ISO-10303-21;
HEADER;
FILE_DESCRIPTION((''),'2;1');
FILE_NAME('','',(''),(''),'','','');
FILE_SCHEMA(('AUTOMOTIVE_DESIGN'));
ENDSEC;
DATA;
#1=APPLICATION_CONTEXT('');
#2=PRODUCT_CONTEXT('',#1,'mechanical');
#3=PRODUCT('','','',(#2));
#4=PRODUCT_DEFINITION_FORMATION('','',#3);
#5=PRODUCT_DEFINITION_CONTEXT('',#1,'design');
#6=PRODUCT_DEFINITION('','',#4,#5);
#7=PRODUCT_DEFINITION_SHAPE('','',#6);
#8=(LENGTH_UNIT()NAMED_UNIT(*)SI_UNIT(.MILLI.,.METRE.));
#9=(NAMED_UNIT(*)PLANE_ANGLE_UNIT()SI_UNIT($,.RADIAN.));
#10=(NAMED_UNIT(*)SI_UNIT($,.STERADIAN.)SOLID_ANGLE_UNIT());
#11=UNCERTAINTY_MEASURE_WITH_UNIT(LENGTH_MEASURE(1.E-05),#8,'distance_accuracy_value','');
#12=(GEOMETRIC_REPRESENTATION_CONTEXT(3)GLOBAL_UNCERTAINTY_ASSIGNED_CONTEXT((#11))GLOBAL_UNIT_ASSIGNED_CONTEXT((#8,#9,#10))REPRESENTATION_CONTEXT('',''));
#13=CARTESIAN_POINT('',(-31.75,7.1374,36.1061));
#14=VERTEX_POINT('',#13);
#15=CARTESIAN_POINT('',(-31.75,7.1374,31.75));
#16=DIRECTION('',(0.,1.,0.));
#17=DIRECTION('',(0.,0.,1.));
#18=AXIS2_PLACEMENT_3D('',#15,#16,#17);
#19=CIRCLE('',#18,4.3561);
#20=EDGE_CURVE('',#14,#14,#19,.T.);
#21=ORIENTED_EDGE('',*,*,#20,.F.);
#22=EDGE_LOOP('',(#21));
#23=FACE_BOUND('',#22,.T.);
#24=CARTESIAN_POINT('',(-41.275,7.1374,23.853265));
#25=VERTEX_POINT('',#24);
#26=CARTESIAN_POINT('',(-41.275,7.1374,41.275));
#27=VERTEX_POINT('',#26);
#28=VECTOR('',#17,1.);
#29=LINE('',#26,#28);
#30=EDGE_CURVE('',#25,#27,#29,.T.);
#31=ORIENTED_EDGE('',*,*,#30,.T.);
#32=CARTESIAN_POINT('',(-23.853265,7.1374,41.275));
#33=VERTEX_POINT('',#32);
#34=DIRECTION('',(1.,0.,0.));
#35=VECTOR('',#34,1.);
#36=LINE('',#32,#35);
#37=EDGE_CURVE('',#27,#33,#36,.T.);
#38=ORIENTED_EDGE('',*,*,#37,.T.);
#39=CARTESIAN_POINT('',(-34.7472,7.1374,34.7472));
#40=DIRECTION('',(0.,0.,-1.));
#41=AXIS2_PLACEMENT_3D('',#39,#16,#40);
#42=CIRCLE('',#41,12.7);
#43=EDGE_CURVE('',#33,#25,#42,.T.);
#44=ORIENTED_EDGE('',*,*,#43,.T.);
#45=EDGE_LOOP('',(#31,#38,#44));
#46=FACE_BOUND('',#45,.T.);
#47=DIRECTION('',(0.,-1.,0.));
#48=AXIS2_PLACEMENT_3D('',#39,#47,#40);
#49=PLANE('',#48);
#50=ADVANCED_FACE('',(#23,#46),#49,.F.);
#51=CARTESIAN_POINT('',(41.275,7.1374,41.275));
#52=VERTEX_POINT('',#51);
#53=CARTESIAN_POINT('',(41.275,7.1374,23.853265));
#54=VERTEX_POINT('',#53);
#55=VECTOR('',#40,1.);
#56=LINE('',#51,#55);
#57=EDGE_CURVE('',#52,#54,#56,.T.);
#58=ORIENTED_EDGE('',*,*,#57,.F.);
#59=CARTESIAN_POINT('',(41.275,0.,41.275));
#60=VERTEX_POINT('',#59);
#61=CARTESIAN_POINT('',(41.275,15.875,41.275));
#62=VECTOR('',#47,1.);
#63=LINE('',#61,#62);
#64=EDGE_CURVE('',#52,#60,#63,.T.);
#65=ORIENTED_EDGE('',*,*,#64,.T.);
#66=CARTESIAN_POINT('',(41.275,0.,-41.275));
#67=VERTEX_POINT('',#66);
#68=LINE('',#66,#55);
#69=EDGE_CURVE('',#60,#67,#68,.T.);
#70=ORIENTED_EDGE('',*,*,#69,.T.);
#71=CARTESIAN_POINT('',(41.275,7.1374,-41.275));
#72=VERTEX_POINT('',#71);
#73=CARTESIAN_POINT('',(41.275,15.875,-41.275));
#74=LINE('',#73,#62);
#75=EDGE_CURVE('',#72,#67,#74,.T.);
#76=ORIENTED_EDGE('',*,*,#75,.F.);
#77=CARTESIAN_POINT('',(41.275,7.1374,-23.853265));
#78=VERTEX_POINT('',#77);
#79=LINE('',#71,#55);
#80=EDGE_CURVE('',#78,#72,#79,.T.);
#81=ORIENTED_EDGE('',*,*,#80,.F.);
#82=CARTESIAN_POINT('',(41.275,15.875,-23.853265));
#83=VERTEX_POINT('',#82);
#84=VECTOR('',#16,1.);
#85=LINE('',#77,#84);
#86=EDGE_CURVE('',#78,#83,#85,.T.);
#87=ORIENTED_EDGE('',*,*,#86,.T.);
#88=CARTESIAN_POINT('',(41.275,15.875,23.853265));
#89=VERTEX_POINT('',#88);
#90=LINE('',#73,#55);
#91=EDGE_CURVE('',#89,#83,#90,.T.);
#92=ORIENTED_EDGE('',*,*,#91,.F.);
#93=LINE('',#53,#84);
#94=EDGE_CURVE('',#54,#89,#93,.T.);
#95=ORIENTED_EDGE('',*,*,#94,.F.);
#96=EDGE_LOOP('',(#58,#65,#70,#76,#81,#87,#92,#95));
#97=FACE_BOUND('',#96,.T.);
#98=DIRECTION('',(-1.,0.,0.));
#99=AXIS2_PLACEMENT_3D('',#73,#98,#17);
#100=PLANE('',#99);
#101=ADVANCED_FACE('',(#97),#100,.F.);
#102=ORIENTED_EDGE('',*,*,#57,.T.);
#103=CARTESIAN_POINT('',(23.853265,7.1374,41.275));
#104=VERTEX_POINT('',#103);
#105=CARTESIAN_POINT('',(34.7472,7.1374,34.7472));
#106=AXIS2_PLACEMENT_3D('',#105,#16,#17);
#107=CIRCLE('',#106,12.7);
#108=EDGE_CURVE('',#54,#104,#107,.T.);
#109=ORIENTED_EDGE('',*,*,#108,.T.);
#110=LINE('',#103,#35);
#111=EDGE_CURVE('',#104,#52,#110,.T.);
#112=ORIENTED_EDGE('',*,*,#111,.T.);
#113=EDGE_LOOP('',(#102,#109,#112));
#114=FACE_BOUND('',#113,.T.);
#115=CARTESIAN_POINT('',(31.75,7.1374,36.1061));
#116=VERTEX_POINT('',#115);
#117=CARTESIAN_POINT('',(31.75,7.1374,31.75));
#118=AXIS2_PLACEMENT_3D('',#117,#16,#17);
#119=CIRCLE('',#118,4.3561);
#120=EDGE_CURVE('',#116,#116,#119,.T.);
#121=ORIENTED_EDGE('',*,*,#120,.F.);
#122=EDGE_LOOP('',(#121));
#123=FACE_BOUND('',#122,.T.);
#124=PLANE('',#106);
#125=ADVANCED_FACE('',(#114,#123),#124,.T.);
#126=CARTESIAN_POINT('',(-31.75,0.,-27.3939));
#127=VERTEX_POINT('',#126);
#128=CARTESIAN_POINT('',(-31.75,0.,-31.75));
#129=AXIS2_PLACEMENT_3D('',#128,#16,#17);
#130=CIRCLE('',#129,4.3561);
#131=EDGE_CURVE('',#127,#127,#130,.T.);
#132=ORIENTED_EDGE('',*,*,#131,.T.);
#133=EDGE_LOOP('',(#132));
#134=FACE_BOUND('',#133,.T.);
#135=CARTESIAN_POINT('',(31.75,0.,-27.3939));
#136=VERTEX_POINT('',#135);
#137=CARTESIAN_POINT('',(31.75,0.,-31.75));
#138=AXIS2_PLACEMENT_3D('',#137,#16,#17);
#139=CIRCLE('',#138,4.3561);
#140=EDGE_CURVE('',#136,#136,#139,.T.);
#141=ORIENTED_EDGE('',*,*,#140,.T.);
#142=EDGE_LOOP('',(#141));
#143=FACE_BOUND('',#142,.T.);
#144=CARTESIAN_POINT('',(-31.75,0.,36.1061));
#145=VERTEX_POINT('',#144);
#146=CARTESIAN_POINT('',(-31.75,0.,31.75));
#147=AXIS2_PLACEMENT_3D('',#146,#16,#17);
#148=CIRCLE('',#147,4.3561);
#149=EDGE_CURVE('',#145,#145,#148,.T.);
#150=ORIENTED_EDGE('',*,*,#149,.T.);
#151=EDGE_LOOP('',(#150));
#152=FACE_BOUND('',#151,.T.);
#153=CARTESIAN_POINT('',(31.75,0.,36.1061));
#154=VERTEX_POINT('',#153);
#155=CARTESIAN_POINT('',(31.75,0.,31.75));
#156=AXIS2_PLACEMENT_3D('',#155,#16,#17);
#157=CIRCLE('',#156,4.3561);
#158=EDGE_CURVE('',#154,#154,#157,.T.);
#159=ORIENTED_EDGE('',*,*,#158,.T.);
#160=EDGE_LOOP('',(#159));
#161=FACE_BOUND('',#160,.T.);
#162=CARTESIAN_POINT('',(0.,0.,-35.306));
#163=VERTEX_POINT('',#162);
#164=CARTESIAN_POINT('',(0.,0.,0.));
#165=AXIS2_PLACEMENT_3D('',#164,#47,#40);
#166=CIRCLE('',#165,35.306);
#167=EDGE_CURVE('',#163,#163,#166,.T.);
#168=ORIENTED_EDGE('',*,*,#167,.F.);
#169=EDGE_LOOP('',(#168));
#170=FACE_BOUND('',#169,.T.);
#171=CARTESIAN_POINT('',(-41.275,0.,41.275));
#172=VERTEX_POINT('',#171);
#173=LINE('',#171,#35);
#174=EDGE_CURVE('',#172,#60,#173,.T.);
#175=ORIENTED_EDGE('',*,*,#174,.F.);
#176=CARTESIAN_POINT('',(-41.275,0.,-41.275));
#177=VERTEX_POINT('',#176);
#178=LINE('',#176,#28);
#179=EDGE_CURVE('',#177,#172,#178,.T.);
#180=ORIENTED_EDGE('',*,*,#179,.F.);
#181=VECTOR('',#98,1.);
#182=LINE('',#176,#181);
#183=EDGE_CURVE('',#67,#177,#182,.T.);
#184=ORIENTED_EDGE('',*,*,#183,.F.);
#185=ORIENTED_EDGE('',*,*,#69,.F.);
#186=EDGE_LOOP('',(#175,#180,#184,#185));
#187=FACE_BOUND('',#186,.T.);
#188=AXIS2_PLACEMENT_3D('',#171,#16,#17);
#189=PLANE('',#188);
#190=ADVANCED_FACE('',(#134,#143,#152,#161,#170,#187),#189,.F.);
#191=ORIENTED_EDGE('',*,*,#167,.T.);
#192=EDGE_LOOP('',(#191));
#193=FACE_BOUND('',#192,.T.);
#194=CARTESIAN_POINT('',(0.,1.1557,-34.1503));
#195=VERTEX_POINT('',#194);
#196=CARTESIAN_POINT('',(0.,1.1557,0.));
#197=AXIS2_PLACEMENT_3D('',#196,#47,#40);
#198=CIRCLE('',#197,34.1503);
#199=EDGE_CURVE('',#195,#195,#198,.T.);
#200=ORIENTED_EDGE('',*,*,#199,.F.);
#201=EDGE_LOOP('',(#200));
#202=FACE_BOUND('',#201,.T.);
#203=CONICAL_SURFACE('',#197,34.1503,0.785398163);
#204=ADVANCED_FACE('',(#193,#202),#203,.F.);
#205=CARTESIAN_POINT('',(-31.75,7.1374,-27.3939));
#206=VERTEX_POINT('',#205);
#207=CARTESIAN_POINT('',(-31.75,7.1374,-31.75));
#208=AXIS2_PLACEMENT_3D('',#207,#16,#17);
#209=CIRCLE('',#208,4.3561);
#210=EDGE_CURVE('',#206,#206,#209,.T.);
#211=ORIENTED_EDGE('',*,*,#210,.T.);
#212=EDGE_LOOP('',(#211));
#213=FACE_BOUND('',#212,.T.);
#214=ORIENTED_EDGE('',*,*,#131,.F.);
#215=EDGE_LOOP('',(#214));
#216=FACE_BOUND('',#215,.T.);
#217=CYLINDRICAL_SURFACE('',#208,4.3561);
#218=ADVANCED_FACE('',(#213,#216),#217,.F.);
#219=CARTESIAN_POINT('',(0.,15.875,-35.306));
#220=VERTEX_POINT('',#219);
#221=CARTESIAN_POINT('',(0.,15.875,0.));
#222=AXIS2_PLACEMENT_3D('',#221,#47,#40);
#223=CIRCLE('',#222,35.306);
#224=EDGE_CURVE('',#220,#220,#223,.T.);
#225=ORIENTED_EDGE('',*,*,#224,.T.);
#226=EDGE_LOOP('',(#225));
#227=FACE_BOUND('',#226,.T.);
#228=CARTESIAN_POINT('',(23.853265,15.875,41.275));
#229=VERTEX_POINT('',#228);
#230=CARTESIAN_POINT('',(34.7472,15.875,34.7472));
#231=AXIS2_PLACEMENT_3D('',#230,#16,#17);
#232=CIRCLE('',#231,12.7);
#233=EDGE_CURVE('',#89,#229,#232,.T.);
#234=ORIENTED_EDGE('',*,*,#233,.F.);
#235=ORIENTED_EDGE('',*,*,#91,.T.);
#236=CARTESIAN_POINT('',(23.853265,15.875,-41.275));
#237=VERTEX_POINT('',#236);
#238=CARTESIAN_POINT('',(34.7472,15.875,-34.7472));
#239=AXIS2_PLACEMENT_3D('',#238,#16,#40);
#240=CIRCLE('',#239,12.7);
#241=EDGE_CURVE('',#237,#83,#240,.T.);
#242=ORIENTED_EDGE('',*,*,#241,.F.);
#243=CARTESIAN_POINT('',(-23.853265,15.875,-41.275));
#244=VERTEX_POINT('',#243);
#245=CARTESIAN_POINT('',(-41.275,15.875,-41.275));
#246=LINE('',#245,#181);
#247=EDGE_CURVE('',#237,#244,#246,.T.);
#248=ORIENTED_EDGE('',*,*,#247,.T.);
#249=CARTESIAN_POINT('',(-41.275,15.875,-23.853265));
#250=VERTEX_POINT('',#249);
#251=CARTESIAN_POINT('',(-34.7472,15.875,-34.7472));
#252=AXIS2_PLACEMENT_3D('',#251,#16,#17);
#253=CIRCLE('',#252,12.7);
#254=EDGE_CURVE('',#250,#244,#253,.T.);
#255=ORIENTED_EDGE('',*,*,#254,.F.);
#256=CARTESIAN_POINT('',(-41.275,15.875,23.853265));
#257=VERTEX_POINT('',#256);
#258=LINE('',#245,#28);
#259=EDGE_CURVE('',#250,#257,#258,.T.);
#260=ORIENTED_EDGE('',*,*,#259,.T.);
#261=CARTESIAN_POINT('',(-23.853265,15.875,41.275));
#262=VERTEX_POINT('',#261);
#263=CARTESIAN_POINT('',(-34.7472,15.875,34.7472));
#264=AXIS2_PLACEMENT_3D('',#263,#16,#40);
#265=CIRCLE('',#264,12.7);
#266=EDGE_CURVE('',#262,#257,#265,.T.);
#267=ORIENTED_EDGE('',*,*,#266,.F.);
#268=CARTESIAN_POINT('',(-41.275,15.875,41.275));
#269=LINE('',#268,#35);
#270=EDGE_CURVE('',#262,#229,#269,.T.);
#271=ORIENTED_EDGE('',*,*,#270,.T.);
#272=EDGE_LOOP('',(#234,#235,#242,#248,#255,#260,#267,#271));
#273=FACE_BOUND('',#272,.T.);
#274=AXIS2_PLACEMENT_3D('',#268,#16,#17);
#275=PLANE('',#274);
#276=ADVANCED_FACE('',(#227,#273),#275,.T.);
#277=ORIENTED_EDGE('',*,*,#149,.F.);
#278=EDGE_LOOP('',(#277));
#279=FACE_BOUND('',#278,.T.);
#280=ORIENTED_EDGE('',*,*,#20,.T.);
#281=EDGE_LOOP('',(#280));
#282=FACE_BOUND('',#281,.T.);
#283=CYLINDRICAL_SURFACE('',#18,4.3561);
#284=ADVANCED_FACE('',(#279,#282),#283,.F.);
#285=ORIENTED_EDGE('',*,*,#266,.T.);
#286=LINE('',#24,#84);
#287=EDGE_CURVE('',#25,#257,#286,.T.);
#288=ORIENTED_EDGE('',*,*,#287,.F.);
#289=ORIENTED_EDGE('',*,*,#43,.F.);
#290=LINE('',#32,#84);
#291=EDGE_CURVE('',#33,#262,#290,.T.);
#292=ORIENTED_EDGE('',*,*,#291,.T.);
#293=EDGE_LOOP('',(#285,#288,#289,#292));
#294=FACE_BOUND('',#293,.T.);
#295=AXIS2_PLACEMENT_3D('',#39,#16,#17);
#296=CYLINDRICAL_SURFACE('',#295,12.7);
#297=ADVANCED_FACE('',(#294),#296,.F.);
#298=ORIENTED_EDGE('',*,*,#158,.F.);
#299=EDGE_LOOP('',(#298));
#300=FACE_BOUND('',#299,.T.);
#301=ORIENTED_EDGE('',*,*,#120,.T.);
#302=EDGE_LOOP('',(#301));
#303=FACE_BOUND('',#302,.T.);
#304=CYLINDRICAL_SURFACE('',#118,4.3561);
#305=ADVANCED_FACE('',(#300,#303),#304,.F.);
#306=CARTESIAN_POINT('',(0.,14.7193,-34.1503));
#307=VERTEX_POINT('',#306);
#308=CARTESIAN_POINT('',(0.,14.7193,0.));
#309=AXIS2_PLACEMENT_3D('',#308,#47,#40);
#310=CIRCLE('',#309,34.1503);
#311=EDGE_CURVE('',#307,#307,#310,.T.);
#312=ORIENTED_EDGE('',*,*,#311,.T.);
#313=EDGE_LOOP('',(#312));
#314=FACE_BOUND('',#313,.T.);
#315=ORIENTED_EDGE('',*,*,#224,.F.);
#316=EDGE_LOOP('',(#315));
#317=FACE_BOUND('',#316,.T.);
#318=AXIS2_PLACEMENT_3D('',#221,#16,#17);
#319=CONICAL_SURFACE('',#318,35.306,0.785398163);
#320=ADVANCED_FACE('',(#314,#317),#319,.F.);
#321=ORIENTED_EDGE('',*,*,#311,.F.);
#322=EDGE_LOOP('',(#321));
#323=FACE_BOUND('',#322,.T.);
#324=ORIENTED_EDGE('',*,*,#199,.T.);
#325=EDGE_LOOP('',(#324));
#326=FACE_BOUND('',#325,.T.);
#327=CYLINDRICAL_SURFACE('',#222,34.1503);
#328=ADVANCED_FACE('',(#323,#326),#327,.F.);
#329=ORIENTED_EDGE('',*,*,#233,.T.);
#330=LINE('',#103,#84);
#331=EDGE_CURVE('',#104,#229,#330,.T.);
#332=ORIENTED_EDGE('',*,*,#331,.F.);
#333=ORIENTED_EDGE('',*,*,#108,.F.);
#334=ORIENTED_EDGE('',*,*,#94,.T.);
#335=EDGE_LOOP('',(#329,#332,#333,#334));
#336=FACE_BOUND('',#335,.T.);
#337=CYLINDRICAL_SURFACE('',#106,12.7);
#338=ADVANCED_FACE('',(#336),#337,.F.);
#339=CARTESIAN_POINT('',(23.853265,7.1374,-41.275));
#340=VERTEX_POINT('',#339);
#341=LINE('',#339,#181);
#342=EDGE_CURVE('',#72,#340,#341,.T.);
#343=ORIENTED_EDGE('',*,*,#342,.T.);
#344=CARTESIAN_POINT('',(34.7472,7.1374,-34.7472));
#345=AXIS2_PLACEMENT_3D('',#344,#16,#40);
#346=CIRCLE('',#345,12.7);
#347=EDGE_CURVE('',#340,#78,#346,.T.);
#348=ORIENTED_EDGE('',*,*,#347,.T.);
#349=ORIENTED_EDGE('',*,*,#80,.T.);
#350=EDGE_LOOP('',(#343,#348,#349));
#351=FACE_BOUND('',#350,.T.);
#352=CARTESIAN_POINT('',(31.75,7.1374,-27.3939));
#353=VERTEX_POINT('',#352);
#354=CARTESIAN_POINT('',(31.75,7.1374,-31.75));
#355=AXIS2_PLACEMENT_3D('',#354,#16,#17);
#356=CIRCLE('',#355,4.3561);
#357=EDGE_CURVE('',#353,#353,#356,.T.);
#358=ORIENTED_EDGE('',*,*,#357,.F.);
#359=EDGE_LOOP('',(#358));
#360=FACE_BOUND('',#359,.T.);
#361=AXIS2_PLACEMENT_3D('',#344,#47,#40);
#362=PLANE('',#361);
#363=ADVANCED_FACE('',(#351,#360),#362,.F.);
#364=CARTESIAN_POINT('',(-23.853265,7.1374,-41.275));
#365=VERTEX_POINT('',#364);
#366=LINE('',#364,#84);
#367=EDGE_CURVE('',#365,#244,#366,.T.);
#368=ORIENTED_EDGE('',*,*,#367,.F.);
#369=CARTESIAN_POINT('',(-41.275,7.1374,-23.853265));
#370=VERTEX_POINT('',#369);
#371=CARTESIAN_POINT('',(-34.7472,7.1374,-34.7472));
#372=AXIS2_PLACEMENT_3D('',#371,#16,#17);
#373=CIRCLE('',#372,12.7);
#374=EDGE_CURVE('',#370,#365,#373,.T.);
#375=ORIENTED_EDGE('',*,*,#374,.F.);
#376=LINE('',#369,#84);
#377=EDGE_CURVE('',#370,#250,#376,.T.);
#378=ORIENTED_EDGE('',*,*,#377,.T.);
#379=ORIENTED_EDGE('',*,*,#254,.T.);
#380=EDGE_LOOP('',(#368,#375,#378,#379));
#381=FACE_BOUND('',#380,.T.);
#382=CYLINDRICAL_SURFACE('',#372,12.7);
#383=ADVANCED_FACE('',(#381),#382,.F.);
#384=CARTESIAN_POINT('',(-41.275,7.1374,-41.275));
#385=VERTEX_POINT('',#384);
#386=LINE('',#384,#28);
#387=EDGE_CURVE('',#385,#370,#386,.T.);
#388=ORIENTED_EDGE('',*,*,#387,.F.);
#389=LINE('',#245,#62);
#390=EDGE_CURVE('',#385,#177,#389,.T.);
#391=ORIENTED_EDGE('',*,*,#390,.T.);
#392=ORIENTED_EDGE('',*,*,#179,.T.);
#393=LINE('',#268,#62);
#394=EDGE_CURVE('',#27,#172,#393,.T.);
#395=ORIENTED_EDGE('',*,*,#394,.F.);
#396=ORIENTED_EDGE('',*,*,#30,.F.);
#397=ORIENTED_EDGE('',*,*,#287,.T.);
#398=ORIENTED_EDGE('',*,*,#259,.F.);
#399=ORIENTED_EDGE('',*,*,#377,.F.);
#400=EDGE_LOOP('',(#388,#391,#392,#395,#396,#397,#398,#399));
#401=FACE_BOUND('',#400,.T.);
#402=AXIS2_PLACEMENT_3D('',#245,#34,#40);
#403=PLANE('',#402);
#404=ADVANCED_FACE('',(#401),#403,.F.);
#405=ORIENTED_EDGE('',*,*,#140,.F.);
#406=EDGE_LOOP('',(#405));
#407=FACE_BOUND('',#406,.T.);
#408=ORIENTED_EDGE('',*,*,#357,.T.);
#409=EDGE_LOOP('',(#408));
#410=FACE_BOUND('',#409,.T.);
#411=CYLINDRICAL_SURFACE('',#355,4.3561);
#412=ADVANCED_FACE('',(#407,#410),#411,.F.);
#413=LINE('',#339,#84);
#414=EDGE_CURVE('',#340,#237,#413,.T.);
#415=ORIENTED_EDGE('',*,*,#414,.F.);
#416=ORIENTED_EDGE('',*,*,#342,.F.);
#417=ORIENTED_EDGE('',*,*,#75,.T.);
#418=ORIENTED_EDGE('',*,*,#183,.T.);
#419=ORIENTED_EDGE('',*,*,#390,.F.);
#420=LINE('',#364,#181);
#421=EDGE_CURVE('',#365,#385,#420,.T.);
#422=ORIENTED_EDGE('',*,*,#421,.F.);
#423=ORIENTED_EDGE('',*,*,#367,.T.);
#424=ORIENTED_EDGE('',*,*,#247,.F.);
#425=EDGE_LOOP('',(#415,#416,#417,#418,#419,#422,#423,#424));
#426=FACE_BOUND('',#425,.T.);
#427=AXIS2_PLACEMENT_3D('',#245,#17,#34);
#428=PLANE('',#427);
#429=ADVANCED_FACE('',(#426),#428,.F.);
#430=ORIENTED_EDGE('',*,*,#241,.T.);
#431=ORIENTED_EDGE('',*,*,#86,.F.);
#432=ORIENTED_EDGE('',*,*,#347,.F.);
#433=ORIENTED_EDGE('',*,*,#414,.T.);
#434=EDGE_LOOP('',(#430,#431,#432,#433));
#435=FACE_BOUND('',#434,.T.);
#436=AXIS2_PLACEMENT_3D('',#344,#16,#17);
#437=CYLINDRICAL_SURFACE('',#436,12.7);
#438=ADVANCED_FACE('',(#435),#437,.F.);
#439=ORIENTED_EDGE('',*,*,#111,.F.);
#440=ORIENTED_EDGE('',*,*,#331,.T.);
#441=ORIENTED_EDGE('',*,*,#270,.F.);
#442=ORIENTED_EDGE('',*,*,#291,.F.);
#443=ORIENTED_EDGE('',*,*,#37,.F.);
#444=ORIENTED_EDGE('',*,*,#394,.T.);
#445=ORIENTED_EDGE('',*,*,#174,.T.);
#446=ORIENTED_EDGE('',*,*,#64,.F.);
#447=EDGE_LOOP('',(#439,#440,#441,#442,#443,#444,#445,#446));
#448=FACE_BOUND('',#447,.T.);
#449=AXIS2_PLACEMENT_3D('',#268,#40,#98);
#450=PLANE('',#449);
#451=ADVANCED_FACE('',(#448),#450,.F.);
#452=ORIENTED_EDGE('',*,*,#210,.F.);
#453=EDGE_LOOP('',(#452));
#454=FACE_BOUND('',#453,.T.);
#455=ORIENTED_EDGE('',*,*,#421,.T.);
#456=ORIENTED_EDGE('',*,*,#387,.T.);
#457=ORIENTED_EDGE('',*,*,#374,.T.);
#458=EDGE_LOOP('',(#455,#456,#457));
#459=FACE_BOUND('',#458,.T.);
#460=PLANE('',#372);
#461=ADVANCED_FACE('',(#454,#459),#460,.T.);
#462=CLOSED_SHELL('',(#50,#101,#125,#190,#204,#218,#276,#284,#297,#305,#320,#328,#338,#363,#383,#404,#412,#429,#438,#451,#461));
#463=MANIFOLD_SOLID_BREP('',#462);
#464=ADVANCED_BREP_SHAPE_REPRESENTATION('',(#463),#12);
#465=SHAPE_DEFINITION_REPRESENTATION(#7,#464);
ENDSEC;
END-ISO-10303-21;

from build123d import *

# Parameters (mm, degrees)
SKETCH1_W          = 82.55
SKETCH1_H          = 82.55
SKETCH1_R          = 34.1503
EXTRUDE1_DEPTH     = 15.875
CUT_EXTRUDE1_DEPTH = 8.7376
HOLE1_D            = 8.7122
HOLE1_DEPTH        = 7.1374


with BuildPart() as part:
    # Sketch1 → Extrude1 (new body)
    with BuildSketch(Plane(origin=(0, 0, 0), x_dir=(1, 0, 0), z_dir=(0, 1, 0))):
        Rectangle(SKETCH1_W, SKETCH1_H)
        with Locations(Location((0, 0, 0), (0, 0, 270))):  # turned: the seam where the file's is
            Circle(SKETCH1_R, mode=Mode.SUBTRACT)
    extrude(amount=EXTRUDE1_DEPTH)

    # Sketch2 → Cut-Extrude1 (cut)
    with BuildSketch(Plane(origin=(0, 15.875, 0), x_dir=(1, 0, 0), z_dir=(0, 1, 0))):
        with BuildLine():
            Line((23.853264661, -41.275), (41.275, -41.275))
            Line((41.275, -41.275), (41.275, -23.853264661))
            ThreePointArc((41.275, -23.853264661), (25.766943879, -25.766943879), (23.853264661, -41.275))
        make_face()
        with BuildLine():
            Line((41.275, 41.275), (41.275, 23.853264661))
            ThreePointArc((41.275, 23.853264661), (25.766943879, 25.766943879), (23.853264661, 41.275))
            Line((23.853264661, 41.275), (41.275, 41.275))
        make_face()
        with BuildLine():
            Line((-23.853264661, 41.275), (-41.275, 41.275))
            Line((-41.275, 41.275), (-41.275, 23.853264661))
            ThreePointArc((-41.275, 23.853264661), (-25.766943879, 25.766943879), (-23.853264661, 41.275))
        make_face()
        with BuildLine():
            Line((-41.275, -41.275), (-41.275, -23.853264661))
            ThreePointArc((-41.275, -23.853264661), (-25.766943879, -25.766943879), (-23.853264661, -41.275))
            Line((-23.853264661, -41.275), (-41.275, -41.275))
        make_face()
    extrude(amount=-CUT_EXTRUDE1_DEPTH, mode=Mode.SUBTRACT)

    # Hole1
    with Locations(Plane(origin=(0, 7.1374, 0), x_dir=(-1, 0, 0), z_dir=(0, 1, 0))):
        with Locations((31.75, 31.75), (31.75, -31.75), (-31.75, 31.75), (-31.75, -31.75)):
            Hole(HOLE1_D / 2, depth=HOLE1_DEPTH)

    # Sketch5 → Cut-Revolve1 (revolve, cut)
    with BuildSketch(Plane(origin=(0, 0, 0), x_dir=(0, 0, -1), z_dir=(1, 0, 0)), mode=Mode.PRIVATE) as cut_revolve1_sk:
        Polygon((-35.306, 15.875), (-34.1503, 15.875), (-34.1503, 14.7193), align=None)
        Polygon((-34.1503, 1.1557), (-35.306, 0), (-34.1503, 0), align=None)
    revolve(cut_revolve1_sk.sketch.rotate(Axis((0, 0, 0), (0, 1, 0)), 180), axis=Axis((0, 0, 0), (0, 1, 0)), mode=Mode.SUBTRACT)  # turned: the seam where the file's is


solid = part.part
